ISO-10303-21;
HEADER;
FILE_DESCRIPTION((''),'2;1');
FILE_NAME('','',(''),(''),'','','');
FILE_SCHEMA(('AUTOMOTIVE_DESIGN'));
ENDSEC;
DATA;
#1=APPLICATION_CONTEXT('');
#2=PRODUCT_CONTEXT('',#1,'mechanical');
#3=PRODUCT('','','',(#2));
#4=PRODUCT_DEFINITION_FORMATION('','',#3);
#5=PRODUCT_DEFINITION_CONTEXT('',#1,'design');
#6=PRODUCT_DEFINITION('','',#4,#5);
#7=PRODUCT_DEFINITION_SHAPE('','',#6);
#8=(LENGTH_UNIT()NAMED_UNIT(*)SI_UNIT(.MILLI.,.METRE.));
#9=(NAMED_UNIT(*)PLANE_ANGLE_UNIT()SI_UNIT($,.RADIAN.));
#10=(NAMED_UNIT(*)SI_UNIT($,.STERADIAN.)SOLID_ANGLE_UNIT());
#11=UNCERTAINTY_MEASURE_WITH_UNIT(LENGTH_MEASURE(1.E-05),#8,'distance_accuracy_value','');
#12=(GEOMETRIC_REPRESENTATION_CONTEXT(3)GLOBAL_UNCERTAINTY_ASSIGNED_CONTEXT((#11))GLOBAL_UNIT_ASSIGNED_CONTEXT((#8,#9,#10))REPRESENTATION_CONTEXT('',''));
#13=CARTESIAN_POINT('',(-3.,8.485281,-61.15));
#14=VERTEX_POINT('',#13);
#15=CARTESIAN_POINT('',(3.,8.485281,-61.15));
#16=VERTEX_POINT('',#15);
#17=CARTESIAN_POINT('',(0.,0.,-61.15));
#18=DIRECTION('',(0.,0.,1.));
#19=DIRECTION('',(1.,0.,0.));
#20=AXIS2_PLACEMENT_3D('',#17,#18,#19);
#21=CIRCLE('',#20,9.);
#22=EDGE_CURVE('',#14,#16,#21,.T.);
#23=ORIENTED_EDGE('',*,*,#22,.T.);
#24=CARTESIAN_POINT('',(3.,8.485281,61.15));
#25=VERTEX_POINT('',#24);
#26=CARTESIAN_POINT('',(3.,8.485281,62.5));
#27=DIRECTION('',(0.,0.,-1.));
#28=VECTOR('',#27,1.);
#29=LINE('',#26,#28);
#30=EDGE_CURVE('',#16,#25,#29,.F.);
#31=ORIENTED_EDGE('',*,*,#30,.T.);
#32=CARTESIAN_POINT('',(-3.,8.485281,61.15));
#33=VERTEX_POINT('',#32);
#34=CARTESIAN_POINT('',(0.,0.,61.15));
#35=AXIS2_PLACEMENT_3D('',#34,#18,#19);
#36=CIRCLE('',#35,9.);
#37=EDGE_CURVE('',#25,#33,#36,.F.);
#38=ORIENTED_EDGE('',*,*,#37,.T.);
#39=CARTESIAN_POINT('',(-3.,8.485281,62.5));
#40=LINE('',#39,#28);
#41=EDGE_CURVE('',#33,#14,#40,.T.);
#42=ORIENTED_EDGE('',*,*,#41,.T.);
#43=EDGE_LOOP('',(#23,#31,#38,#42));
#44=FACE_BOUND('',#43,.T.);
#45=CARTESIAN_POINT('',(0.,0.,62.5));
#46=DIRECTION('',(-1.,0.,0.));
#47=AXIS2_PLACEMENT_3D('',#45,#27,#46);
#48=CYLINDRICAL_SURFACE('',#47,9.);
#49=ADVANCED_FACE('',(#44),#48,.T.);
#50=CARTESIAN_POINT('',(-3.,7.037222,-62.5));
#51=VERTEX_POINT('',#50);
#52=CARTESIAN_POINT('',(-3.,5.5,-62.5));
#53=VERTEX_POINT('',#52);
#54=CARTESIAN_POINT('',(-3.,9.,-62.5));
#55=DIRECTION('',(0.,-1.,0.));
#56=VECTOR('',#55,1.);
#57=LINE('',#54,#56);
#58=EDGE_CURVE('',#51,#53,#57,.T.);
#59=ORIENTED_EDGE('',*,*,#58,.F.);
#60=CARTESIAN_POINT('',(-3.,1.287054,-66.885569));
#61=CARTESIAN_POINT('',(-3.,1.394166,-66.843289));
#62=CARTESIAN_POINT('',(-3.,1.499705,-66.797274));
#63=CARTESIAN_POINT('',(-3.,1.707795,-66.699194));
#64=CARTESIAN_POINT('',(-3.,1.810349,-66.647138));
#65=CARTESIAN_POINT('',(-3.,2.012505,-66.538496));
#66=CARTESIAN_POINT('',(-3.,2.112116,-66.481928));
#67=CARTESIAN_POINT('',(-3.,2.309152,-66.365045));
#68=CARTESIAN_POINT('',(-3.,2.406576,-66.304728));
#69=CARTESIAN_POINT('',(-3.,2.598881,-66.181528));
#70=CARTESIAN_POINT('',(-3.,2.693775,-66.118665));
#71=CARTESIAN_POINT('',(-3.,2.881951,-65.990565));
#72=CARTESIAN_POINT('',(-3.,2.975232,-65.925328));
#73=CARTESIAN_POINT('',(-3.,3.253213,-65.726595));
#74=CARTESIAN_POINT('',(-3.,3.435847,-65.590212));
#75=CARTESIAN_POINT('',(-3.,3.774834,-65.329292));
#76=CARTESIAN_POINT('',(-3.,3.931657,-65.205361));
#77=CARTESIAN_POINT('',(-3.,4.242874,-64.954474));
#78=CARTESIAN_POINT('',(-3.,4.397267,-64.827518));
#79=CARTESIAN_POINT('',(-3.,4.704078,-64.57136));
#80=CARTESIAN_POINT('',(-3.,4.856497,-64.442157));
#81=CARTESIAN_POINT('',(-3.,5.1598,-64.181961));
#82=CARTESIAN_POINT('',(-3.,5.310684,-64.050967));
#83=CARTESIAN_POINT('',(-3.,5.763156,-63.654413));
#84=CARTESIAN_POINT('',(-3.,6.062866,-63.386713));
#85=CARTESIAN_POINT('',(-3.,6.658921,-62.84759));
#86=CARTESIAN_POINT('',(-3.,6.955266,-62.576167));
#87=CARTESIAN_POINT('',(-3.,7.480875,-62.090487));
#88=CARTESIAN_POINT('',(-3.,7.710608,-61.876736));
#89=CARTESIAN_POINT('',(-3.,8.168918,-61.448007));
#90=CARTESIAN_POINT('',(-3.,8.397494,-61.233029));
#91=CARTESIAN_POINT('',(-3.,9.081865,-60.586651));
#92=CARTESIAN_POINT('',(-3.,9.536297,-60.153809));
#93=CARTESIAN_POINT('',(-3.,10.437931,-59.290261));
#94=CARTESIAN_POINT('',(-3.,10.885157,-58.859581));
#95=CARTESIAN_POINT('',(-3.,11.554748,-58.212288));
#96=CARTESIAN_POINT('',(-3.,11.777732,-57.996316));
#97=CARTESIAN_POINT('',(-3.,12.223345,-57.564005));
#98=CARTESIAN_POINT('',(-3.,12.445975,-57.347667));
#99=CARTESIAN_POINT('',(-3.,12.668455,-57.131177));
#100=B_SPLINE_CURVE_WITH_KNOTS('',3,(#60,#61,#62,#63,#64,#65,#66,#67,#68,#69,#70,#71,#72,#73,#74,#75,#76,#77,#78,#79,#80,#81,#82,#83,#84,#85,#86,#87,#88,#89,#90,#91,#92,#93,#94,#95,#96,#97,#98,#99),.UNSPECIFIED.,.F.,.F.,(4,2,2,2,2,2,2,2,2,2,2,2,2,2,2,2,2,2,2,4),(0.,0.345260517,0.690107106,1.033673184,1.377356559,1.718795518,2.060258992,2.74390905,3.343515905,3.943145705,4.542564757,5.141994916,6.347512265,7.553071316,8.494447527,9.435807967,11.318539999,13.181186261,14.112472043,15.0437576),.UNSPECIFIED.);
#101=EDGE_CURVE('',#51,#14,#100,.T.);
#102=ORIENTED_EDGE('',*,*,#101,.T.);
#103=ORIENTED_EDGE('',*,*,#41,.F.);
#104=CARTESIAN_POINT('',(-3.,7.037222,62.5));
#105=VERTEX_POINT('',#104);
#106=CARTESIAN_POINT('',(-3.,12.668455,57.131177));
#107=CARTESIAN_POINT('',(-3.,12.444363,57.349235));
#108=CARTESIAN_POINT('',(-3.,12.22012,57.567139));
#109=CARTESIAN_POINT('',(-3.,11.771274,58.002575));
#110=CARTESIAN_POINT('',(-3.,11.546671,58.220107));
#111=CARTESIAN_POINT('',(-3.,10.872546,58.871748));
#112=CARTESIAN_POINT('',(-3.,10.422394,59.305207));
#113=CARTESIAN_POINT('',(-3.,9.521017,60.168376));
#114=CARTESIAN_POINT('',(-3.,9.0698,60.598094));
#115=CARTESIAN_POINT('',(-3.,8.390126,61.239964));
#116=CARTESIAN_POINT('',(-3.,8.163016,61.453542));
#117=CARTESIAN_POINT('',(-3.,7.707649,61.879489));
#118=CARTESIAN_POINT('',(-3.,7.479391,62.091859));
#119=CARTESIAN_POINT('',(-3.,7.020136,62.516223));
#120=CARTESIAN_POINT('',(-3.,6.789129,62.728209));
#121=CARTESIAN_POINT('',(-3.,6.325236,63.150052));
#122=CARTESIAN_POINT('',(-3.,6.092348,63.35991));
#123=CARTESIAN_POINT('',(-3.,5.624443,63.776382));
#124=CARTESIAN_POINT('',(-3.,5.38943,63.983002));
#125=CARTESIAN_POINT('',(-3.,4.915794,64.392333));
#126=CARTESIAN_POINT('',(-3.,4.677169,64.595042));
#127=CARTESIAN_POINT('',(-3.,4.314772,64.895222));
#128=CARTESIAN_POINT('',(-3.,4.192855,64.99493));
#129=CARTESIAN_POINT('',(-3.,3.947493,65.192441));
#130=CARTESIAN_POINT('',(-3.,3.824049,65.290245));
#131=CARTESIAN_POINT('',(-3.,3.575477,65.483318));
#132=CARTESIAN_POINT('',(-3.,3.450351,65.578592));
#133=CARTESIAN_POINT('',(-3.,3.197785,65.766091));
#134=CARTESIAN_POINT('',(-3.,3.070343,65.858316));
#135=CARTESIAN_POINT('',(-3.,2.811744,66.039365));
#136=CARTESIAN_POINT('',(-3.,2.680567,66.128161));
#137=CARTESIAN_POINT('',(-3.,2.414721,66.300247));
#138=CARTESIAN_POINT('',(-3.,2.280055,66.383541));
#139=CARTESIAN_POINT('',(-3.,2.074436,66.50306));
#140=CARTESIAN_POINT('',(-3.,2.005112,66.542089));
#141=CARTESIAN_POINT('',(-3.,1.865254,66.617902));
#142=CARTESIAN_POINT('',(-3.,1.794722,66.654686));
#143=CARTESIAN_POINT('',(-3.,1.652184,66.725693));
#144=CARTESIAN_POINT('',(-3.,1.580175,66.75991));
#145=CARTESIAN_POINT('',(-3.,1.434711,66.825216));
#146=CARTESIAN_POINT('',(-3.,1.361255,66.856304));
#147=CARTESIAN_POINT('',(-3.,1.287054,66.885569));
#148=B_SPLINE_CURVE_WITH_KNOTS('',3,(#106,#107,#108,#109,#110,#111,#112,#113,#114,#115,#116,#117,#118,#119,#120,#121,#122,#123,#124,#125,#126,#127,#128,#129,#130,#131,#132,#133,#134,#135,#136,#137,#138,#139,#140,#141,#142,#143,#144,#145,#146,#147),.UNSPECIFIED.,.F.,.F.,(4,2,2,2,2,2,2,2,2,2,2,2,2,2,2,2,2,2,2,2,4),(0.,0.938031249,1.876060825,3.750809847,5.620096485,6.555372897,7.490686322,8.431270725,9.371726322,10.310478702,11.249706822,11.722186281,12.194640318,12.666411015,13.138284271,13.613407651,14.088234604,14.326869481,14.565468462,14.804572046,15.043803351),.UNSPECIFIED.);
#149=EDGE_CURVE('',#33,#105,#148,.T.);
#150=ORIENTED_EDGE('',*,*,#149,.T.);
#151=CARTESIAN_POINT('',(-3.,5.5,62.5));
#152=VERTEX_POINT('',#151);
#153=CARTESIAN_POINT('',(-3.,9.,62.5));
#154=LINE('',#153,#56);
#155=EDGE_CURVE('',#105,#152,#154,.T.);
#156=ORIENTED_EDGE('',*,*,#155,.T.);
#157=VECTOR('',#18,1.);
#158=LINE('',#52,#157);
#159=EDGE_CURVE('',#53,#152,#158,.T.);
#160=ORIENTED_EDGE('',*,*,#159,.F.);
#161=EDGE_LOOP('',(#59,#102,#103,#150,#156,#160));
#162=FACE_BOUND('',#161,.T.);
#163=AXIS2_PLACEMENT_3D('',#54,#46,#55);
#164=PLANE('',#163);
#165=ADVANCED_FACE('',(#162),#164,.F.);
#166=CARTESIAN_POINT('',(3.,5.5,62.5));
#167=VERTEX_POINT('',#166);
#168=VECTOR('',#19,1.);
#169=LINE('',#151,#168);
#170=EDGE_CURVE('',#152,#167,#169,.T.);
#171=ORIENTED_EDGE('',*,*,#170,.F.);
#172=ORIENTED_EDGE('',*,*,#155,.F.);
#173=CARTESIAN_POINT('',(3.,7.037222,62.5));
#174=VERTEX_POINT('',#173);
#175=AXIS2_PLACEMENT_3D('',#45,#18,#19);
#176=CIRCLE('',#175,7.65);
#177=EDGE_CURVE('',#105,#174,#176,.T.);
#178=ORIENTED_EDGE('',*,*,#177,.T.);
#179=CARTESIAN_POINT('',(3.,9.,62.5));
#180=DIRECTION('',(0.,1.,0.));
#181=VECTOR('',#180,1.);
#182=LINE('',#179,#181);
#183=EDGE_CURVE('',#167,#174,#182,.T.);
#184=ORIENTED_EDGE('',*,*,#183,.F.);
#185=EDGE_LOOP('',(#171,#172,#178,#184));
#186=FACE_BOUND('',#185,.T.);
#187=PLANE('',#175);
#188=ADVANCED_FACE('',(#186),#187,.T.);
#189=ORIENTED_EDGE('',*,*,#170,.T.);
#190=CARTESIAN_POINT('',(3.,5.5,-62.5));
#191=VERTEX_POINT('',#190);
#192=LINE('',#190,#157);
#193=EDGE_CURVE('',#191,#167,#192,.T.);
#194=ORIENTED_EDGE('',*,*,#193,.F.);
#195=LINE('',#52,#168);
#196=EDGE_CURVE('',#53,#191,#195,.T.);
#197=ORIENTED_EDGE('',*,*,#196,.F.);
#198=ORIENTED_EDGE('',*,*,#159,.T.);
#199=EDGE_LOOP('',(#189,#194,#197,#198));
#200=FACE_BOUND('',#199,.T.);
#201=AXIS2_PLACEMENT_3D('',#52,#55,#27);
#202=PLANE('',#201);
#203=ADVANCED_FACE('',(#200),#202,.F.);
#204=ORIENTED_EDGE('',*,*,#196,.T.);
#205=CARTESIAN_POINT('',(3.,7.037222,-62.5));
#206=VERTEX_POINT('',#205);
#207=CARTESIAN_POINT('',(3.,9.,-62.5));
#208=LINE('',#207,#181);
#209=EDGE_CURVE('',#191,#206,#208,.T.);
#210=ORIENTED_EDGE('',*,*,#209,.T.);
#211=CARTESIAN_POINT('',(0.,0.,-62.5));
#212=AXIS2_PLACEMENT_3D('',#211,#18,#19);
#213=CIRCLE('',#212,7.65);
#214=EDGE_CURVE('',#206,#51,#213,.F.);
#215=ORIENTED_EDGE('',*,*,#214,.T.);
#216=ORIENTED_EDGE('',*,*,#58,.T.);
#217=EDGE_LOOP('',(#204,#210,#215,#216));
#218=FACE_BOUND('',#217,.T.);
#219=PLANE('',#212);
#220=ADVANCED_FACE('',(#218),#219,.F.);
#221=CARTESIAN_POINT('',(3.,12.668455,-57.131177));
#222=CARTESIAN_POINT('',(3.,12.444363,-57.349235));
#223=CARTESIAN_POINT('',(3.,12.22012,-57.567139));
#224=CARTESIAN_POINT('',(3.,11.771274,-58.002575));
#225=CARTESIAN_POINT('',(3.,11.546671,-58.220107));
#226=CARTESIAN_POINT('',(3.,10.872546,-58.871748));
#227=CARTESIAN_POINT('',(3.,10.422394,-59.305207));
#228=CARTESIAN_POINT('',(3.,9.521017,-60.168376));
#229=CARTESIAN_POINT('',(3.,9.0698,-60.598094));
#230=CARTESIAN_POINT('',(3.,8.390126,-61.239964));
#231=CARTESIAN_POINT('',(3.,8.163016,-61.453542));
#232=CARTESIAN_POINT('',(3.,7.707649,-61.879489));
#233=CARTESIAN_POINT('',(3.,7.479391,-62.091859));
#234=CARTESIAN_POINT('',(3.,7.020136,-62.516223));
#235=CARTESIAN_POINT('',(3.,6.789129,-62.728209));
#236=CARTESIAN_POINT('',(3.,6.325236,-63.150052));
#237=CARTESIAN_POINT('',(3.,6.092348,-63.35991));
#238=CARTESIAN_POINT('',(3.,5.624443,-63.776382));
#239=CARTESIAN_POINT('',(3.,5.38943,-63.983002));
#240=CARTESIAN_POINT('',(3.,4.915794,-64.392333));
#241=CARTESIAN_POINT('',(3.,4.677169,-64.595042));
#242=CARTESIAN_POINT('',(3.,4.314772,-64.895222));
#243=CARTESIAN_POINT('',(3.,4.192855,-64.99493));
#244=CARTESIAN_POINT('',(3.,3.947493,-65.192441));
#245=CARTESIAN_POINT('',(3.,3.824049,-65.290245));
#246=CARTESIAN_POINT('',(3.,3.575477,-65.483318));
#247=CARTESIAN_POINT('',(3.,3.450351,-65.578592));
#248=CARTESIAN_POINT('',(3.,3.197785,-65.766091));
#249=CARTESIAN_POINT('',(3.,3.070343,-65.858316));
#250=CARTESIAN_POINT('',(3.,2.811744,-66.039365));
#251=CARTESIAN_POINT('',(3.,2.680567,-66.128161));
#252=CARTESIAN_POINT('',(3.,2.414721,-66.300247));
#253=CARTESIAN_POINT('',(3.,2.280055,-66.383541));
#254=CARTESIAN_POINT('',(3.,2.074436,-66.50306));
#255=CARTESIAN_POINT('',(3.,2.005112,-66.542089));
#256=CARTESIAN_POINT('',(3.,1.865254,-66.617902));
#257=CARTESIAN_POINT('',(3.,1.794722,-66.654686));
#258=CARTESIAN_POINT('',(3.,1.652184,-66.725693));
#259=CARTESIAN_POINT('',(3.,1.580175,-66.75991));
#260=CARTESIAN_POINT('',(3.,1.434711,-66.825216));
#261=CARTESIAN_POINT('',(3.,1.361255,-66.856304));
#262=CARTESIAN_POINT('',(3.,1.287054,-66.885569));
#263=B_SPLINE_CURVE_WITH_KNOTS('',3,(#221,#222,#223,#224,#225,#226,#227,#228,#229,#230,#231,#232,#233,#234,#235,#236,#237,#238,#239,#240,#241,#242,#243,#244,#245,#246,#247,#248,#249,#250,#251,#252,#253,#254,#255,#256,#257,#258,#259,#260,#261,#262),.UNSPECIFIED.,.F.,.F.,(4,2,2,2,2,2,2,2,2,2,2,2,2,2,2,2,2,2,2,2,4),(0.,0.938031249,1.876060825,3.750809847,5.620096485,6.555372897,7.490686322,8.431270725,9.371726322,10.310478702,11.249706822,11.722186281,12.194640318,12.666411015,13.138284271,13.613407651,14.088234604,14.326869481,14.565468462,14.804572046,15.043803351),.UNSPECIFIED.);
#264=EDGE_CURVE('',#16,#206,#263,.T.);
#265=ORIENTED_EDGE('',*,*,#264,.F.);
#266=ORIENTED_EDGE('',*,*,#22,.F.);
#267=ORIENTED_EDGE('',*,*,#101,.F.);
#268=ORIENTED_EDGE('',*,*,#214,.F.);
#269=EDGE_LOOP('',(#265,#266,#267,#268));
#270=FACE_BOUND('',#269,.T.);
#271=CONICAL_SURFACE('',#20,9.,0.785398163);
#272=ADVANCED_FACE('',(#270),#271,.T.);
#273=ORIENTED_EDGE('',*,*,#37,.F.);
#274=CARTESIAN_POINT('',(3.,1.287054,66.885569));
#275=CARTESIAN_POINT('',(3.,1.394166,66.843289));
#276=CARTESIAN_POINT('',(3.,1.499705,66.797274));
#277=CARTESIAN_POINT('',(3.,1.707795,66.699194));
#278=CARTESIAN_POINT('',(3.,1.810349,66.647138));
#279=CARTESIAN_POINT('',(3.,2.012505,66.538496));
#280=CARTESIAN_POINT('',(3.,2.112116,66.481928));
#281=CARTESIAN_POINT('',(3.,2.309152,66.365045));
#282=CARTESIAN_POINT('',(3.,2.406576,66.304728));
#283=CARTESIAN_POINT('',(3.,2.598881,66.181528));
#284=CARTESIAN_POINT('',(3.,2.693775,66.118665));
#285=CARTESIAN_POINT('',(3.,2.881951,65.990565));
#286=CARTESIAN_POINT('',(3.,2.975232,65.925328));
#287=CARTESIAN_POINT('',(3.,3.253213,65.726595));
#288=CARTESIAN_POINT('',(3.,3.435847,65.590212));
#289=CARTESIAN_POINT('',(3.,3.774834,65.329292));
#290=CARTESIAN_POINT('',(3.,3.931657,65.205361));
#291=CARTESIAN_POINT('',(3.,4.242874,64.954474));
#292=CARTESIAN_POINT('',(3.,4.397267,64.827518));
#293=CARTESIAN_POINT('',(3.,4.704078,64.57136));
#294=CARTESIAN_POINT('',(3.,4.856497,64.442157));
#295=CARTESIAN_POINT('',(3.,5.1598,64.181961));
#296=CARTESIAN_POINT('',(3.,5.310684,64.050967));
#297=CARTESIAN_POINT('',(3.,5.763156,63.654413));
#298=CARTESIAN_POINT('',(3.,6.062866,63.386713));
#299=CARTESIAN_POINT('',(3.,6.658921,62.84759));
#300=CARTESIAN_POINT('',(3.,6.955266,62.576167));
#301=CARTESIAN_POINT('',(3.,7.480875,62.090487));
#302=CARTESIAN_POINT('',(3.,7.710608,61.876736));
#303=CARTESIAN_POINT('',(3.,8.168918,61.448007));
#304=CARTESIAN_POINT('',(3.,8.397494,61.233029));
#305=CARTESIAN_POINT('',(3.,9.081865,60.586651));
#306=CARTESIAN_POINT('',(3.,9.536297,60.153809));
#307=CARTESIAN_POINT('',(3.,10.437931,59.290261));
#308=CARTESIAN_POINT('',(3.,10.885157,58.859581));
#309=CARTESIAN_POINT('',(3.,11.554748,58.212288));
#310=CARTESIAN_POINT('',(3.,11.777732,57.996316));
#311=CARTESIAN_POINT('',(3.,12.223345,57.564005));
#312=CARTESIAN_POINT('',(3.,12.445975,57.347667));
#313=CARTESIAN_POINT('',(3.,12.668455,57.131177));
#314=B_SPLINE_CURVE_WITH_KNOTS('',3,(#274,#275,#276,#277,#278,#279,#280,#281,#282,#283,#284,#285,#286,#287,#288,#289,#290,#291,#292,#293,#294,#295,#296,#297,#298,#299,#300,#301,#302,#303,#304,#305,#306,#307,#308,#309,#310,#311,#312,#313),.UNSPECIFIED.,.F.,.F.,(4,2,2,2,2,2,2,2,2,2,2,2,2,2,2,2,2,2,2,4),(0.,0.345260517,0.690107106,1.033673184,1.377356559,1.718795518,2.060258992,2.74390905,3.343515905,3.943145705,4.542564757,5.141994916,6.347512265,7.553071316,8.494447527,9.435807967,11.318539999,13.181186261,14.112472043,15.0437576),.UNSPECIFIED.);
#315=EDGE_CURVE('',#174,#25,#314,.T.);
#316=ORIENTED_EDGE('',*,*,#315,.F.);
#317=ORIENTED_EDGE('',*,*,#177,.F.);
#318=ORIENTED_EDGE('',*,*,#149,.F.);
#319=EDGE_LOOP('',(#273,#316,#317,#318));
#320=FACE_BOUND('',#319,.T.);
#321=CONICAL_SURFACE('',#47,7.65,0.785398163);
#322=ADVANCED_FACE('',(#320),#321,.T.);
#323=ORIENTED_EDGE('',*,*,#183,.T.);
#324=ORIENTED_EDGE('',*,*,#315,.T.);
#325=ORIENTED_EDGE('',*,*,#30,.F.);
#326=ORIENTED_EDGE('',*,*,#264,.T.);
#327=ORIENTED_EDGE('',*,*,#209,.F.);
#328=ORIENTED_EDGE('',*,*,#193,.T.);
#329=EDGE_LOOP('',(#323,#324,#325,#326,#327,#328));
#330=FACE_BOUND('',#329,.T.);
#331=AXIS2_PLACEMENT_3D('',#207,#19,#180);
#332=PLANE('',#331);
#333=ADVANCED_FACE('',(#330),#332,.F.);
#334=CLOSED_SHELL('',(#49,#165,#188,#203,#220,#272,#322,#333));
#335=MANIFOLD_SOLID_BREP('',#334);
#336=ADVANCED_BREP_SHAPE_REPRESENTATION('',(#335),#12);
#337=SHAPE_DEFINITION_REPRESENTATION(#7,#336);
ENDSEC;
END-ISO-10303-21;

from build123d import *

# Parameters (mm, degrees)
SKETCH1_R           = 9
EXTRUDE1_DEPTH      = 62.5
CHAMFER1_SIZE       = 1.35
SKETCH3_W           = 6
SKETCH3_H           = 3.5
EXTRUDE2_DEPTH      = 63.5
EXTRUDE2_DEPTH_BACK = 63.5


with BuildPart() as part:
    # Sketch1 → Extrude1 (new body, symmetric)
    with BuildSketch(Plane.XY):
        Circle(SKETCH1_R)
    extrude(amount=EXTRUDE1_DEPTH, both=True)

    # Chamfer1
    chamfer1_edges = [part.edges().sort_by_distance(p)[0] for p in [
        (-9, 0, -62.5),
        (-9, 0, 62.5),
    ]]
    chamfer(chamfer1_edges, length=CHAMFER1_SIZE)

    # Sketch3 → Extrude2 (cut, two sides)
    with BuildSketch(Plane.XY) as extrude2_sk:
        with Locations((0, 7.25)):
            Rectangle(SKETCH3_W, SKETCH3_H)
    extrude(amount=EXTRUDE2_DEPTH, mode=Mode.SUBTRACT)
    extrude(extrude2_sk.sketch, amount=-EXTRUDE2_DEPTH_BACK, mode=Mode.SUBTRACT)


solid = part.part
